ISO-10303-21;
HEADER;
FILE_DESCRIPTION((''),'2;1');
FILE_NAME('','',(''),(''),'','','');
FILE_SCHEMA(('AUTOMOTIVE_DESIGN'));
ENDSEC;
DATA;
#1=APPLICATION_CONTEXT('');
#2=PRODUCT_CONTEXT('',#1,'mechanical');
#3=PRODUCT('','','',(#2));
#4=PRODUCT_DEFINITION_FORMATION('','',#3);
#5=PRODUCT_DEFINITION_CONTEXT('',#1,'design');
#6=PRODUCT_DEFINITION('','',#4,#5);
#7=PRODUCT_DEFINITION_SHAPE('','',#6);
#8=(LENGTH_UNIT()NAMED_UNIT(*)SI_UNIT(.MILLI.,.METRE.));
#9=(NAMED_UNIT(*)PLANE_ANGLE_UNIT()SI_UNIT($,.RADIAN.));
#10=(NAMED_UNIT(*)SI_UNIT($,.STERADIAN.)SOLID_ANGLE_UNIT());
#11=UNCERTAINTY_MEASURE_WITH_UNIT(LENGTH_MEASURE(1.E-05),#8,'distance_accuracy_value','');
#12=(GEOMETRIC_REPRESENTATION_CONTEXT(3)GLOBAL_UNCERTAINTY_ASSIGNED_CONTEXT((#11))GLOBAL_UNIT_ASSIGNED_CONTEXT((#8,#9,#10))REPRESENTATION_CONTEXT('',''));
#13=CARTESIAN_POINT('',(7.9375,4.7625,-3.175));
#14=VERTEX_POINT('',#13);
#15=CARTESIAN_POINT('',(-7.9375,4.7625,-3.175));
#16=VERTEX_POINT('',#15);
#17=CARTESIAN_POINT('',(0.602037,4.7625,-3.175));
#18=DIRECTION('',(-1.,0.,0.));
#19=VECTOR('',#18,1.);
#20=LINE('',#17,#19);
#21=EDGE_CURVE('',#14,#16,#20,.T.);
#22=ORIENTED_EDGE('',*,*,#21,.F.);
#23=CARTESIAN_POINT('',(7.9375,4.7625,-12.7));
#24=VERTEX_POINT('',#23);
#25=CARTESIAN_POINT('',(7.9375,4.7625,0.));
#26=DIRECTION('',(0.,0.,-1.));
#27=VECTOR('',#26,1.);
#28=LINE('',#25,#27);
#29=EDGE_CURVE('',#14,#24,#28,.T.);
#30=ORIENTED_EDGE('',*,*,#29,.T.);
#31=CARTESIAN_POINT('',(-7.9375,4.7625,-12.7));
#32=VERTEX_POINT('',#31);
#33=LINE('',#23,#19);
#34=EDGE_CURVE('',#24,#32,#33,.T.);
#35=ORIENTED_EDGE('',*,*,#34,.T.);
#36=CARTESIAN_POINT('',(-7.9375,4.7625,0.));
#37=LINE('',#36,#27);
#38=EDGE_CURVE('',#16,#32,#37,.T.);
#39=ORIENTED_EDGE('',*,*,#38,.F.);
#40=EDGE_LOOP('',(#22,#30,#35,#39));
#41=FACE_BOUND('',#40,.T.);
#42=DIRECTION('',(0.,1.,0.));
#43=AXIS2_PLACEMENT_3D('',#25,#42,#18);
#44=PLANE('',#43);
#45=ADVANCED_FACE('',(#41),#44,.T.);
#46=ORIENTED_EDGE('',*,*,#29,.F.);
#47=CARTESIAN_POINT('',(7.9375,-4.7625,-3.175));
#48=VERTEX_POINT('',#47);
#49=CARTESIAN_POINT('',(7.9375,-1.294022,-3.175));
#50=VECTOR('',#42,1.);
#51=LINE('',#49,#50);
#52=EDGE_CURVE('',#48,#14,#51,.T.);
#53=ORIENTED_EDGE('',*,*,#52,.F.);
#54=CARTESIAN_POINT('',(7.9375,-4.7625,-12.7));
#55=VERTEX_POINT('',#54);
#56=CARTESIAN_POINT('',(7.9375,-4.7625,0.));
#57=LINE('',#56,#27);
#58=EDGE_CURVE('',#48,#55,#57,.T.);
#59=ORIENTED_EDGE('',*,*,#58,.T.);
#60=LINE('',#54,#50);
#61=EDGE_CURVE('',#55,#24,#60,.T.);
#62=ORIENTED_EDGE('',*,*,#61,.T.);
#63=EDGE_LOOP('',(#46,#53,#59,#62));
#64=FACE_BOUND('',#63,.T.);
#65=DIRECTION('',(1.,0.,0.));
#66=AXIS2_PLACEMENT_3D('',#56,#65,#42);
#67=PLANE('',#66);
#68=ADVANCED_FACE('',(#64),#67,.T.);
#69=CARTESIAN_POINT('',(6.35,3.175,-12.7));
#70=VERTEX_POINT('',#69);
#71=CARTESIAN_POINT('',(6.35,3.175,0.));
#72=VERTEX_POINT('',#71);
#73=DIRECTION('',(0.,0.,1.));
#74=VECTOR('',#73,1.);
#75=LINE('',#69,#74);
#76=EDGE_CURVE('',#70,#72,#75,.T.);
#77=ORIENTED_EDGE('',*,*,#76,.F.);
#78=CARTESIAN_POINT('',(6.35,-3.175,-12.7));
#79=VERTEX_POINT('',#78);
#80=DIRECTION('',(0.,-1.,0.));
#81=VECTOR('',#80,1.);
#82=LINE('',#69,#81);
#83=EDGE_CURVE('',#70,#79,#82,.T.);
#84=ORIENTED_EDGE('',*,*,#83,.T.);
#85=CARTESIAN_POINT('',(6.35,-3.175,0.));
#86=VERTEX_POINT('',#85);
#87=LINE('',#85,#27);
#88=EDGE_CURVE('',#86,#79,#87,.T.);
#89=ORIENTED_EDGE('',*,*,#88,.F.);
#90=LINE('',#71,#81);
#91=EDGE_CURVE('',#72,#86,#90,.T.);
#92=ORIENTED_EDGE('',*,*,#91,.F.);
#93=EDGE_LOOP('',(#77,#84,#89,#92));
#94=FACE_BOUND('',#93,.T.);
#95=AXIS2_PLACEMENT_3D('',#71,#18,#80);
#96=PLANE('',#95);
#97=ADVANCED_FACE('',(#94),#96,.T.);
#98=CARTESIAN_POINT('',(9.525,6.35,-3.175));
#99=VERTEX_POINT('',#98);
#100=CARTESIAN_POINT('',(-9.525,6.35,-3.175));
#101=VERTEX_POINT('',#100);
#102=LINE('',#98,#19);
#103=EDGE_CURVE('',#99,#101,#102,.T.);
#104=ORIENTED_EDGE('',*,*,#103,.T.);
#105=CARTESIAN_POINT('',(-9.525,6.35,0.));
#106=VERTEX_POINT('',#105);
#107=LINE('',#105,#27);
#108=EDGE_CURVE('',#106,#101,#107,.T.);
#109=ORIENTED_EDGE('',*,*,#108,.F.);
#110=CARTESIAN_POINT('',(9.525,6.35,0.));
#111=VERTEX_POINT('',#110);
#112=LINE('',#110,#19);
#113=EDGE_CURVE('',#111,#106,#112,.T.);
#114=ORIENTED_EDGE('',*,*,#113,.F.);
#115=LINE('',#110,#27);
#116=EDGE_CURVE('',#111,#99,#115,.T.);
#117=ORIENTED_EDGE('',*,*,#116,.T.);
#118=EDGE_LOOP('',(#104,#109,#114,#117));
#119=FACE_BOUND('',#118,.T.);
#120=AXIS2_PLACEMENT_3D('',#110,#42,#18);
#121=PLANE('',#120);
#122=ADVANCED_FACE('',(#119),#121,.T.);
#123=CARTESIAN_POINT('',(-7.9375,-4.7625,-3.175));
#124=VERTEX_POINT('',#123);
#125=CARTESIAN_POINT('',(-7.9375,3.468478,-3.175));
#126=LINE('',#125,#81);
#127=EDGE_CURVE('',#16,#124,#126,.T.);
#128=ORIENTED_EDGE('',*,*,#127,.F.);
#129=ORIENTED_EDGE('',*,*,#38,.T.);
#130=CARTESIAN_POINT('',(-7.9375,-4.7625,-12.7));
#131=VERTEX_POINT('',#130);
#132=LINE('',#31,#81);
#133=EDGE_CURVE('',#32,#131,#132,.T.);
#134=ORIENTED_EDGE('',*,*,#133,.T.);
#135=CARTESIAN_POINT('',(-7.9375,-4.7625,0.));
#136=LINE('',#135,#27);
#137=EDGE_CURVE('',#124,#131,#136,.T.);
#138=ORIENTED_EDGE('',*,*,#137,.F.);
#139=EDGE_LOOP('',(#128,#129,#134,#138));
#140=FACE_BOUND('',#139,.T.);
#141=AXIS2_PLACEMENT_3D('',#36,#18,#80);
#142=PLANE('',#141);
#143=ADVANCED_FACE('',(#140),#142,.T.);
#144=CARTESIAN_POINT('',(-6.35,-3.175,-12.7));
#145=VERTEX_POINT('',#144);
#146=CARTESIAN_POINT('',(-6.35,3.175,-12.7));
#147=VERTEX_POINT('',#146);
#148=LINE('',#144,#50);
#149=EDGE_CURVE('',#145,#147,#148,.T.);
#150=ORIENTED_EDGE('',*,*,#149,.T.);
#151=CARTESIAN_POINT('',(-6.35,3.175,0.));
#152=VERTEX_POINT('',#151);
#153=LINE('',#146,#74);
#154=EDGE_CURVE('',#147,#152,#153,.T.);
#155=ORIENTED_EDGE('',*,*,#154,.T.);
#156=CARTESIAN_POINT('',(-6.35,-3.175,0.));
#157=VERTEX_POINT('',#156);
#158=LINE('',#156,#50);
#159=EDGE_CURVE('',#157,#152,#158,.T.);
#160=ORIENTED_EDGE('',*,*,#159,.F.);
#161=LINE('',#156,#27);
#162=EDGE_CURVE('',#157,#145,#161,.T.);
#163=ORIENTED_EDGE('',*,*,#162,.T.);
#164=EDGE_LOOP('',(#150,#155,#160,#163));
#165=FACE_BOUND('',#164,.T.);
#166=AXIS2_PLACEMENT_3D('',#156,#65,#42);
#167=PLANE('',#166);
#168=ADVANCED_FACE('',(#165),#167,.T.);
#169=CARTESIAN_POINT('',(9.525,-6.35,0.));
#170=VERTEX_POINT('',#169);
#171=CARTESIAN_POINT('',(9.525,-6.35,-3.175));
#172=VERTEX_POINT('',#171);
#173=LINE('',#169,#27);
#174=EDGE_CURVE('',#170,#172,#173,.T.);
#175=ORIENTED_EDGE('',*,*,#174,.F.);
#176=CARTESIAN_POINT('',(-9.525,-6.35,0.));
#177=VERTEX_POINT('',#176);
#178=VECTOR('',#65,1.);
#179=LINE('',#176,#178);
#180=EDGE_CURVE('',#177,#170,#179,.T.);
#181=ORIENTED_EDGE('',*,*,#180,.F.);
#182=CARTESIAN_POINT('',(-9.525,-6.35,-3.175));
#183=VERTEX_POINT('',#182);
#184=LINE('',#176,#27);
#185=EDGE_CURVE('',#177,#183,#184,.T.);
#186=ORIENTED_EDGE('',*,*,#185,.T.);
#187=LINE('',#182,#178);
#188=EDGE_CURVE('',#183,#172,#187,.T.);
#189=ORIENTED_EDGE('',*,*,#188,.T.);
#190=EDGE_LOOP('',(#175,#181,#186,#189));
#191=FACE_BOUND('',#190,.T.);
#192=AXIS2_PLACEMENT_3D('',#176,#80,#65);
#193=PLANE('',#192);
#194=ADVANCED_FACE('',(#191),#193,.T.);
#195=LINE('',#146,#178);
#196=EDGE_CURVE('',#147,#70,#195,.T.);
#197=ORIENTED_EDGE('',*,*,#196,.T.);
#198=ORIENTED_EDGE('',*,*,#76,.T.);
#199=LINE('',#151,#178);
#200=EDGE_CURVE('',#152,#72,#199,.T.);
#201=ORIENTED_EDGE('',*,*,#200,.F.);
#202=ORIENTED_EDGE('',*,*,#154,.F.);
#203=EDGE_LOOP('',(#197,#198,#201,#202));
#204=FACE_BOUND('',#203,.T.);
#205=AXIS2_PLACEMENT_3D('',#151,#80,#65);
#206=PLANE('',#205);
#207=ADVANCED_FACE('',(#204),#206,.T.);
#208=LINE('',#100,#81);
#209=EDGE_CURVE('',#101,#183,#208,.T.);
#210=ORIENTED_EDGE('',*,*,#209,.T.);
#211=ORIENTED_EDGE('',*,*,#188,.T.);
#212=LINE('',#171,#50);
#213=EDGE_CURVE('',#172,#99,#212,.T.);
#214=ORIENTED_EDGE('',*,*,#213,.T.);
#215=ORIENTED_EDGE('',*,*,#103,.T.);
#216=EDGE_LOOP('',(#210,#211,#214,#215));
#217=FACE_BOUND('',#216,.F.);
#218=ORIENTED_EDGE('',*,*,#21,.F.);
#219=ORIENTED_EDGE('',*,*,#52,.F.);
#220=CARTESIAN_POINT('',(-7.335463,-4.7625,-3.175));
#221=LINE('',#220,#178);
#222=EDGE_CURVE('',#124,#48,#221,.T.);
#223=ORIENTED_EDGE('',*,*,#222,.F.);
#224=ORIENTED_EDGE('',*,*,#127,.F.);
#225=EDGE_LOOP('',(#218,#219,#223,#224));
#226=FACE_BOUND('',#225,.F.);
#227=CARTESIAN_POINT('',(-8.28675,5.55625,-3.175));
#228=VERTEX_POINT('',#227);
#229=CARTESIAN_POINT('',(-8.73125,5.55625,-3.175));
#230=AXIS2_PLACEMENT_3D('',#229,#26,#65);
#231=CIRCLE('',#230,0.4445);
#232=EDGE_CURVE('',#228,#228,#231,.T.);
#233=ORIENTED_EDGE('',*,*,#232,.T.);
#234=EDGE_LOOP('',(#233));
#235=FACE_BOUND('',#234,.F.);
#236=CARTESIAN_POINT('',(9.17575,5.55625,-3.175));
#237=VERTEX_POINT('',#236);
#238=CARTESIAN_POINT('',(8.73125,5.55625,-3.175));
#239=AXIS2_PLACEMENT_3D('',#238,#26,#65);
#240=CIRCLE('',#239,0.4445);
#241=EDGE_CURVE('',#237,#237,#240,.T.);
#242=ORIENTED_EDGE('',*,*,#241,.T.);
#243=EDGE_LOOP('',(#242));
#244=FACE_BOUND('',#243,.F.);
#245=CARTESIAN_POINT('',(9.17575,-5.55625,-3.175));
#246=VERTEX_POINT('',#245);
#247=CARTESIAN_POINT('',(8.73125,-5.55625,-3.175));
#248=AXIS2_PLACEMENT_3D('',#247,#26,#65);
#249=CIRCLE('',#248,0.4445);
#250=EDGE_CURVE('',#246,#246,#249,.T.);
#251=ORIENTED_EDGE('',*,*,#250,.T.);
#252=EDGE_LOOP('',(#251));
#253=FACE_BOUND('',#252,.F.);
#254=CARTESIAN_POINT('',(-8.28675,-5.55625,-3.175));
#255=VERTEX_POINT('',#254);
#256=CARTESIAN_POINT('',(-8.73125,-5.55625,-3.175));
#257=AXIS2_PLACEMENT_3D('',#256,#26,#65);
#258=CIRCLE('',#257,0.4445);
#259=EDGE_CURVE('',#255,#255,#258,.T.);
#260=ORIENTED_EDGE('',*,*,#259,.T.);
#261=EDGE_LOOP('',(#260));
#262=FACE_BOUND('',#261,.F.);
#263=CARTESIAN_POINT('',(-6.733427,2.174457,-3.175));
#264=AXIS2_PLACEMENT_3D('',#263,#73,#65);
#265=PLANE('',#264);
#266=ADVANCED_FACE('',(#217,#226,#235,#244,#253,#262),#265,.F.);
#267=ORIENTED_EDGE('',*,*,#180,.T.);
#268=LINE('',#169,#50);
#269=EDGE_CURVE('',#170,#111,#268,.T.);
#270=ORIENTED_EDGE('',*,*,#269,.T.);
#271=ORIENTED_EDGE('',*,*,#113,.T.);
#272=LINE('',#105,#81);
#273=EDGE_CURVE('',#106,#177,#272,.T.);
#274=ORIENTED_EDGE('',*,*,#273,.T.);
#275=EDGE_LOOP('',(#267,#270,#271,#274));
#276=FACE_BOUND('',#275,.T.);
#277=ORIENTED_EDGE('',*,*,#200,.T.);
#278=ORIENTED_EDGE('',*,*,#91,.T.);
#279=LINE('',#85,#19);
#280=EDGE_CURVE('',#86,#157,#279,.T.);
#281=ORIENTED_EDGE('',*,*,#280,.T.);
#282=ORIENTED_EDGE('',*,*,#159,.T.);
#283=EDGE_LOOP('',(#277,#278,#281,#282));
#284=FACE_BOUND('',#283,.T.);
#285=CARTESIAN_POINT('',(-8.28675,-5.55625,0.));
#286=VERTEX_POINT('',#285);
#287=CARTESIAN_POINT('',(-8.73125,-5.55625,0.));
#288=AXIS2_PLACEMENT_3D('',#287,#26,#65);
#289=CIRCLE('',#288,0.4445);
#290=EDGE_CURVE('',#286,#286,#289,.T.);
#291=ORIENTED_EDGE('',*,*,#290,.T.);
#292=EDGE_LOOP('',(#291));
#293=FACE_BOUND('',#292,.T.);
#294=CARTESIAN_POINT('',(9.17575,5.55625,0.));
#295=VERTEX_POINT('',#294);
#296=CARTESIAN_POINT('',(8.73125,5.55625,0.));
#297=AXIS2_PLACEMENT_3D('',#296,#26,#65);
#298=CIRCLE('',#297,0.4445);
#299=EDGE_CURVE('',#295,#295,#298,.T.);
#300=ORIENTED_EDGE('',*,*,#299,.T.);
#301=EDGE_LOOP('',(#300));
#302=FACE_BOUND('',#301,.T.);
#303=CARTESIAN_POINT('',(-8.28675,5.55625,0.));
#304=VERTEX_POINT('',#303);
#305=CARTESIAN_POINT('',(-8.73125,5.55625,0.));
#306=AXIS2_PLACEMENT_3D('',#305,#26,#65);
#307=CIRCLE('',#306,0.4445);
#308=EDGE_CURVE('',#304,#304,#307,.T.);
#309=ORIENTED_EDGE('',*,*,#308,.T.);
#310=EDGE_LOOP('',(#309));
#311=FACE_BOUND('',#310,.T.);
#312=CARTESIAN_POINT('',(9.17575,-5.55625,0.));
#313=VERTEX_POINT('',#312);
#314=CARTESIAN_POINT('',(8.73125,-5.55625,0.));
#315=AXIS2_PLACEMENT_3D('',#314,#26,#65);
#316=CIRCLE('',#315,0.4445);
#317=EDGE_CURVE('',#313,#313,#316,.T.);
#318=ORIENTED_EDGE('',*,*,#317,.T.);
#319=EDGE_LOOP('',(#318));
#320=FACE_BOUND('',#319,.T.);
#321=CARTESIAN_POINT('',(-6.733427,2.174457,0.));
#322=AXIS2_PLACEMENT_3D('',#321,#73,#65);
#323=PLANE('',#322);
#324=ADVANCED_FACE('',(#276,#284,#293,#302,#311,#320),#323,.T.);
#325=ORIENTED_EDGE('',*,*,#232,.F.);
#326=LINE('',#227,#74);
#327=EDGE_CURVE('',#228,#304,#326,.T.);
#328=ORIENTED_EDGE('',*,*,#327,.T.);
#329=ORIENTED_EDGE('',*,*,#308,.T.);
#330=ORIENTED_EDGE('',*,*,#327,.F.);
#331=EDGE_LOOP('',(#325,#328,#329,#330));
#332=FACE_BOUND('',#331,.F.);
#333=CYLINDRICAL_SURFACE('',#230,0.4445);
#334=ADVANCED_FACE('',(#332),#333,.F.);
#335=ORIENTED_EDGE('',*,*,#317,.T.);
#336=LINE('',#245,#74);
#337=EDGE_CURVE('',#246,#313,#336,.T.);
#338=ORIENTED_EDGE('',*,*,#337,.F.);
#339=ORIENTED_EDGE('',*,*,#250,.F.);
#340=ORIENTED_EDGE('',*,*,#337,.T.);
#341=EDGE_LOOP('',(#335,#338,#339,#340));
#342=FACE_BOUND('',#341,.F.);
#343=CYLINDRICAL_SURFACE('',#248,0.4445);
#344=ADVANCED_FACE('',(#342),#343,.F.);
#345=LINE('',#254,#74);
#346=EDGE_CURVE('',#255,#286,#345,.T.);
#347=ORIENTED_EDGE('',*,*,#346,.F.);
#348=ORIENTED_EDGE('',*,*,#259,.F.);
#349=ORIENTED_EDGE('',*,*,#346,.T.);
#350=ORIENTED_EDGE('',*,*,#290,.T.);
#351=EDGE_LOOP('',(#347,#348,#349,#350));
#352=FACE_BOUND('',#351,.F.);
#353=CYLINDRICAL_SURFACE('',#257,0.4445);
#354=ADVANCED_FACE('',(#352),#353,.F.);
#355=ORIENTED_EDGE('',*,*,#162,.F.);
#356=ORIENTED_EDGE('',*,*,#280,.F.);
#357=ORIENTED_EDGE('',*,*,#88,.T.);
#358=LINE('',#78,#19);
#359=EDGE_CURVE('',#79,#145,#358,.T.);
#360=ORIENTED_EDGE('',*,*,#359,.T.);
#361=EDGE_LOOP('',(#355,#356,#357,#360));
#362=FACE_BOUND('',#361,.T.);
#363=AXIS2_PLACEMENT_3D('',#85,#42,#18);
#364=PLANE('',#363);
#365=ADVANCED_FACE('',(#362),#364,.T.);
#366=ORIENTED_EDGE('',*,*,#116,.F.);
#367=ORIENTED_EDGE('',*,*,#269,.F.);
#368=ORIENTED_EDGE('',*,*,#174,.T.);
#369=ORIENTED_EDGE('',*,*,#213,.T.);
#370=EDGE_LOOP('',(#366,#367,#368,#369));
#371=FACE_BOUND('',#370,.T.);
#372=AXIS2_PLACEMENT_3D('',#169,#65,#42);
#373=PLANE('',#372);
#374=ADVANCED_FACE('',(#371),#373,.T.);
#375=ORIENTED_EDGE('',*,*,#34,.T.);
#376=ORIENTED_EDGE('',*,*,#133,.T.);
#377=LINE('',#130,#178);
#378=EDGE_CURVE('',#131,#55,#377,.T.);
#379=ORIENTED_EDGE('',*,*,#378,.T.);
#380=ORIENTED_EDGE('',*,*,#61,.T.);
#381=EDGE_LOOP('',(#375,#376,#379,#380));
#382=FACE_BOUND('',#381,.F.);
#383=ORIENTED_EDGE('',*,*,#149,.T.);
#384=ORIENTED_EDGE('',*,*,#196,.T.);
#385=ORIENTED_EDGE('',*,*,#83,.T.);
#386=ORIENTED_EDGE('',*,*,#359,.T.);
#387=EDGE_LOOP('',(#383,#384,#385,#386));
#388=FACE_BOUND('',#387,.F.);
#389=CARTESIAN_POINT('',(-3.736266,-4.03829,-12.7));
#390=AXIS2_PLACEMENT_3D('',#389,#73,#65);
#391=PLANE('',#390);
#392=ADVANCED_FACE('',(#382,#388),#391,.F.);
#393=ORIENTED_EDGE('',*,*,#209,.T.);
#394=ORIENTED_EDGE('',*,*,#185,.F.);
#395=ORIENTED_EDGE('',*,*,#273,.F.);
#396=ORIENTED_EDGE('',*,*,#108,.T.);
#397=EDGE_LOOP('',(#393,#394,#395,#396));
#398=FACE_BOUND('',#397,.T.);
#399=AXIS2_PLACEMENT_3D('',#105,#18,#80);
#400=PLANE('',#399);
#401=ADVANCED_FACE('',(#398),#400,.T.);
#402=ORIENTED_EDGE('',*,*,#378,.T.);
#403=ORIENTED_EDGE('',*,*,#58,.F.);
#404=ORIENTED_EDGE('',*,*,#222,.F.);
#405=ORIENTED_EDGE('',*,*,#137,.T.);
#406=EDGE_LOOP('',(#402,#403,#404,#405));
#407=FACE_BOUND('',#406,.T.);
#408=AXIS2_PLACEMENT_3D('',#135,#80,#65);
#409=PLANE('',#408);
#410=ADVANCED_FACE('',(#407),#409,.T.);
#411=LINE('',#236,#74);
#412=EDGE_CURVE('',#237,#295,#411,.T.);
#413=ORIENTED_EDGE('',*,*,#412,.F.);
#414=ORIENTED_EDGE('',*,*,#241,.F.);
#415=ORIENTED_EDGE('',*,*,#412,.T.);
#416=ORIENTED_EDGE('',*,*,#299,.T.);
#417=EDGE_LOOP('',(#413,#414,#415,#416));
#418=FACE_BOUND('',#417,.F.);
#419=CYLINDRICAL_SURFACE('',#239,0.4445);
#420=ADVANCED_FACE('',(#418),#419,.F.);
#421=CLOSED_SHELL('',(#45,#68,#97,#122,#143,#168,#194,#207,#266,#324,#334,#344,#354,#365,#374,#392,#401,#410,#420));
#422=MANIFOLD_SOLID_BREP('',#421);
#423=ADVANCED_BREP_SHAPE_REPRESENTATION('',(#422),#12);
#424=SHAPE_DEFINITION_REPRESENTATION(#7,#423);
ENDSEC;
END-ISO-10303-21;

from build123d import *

# Parameters (mm, degrees)
F1_DEPTH = 3.175
F2_DEPTH = 12.7
F3_R     = 0.4445
F4_DEPTH = 25.4


with BuildPart() as f1:
    # F0 (on Top) → F1 (new body)
    with BuildSketch(Plane.XY):
        Polygon((-7.9375, 4.7625), (0, 4.7625), (0, 6.35), (-9.525, 6.35), (-9.525, -6.35), (-7.9375, -4.7625), align=None)
        Polygon((0, 6.35), (0, 4.7625), (7.9375, 4.7625), (7.9375, -4.7625), (0, -4.7625), (0, -6.35), (9.525, -6.35), (9.525, 6.35), align=None)
        Polygon((0, -6.35), (0, -4.7625), (-7.9375, -4.7625), (-9.525, -6.35), align=None)
        Polygon((0, -4.7625), (0, -3.175), (-6.35, -3.175), (-7.9375, -4.7625), align=None)
        Polygon((-6.35, 3.175), (0, 3.175), (0, 4.7625), (-7.9375, 4.7625), (-7.9375, -4.7625), (-6.35, -3.175), align=None)
        Polygon((0, 3.175), (6.35, 3.175), (6.35, -3.175), (0, -3.175), (0, -4.7625), (7.9375, -4.7625), (7.9375, 4.7625), (0, 4.7625), align=None)
    extrude(amount=-F1_DEPTH)

    # F0 (on Top) → F2 (join)
    with BuildSketch(Plane.XY):
        Polygon((0, -4.7625), (0, -3.175), (-6.35, -3.175), (-7.9375, -4.7625), align=None)
        Polygon((0, 3.175), (6.35, 3.175), (6.35, -3.175), (0, -3.175), (0, -4.7625), (7.9375, -4.7625), (7.9375, 4.7625), (0, 4.7625), align=None)
        Polygon((-6.35, 3.175), (0, 3.175), (0, 4.7625), (-7.9375, 4.7625), (-7.9375, -4.7625), (-6.35, -3.175), align=None)
    extrude(amount=-F2_DEPTH)

    # F3 (on face) → F4 (cut)
    with BuildSketch(Plane(origin=(0, 0, -3.175), x_dir=(1, 0, 0), z_dir=(0, 0, -1))):
        with Locations((-8.73125, 5.55625)):
            Circle(F3_R)
        with Locations((8.73125, 5.55625)):
            Circle(F3_R)
        with Locations((8.73125, -5.55625)):
            Circle(F3_R)
        with Locations((-8.73125, -5.55625)):
            Circle(F3_R)
    extrude(amount=-F4_DEPTH, mode=Mode.SUBTRACT)


solid = f1.part
